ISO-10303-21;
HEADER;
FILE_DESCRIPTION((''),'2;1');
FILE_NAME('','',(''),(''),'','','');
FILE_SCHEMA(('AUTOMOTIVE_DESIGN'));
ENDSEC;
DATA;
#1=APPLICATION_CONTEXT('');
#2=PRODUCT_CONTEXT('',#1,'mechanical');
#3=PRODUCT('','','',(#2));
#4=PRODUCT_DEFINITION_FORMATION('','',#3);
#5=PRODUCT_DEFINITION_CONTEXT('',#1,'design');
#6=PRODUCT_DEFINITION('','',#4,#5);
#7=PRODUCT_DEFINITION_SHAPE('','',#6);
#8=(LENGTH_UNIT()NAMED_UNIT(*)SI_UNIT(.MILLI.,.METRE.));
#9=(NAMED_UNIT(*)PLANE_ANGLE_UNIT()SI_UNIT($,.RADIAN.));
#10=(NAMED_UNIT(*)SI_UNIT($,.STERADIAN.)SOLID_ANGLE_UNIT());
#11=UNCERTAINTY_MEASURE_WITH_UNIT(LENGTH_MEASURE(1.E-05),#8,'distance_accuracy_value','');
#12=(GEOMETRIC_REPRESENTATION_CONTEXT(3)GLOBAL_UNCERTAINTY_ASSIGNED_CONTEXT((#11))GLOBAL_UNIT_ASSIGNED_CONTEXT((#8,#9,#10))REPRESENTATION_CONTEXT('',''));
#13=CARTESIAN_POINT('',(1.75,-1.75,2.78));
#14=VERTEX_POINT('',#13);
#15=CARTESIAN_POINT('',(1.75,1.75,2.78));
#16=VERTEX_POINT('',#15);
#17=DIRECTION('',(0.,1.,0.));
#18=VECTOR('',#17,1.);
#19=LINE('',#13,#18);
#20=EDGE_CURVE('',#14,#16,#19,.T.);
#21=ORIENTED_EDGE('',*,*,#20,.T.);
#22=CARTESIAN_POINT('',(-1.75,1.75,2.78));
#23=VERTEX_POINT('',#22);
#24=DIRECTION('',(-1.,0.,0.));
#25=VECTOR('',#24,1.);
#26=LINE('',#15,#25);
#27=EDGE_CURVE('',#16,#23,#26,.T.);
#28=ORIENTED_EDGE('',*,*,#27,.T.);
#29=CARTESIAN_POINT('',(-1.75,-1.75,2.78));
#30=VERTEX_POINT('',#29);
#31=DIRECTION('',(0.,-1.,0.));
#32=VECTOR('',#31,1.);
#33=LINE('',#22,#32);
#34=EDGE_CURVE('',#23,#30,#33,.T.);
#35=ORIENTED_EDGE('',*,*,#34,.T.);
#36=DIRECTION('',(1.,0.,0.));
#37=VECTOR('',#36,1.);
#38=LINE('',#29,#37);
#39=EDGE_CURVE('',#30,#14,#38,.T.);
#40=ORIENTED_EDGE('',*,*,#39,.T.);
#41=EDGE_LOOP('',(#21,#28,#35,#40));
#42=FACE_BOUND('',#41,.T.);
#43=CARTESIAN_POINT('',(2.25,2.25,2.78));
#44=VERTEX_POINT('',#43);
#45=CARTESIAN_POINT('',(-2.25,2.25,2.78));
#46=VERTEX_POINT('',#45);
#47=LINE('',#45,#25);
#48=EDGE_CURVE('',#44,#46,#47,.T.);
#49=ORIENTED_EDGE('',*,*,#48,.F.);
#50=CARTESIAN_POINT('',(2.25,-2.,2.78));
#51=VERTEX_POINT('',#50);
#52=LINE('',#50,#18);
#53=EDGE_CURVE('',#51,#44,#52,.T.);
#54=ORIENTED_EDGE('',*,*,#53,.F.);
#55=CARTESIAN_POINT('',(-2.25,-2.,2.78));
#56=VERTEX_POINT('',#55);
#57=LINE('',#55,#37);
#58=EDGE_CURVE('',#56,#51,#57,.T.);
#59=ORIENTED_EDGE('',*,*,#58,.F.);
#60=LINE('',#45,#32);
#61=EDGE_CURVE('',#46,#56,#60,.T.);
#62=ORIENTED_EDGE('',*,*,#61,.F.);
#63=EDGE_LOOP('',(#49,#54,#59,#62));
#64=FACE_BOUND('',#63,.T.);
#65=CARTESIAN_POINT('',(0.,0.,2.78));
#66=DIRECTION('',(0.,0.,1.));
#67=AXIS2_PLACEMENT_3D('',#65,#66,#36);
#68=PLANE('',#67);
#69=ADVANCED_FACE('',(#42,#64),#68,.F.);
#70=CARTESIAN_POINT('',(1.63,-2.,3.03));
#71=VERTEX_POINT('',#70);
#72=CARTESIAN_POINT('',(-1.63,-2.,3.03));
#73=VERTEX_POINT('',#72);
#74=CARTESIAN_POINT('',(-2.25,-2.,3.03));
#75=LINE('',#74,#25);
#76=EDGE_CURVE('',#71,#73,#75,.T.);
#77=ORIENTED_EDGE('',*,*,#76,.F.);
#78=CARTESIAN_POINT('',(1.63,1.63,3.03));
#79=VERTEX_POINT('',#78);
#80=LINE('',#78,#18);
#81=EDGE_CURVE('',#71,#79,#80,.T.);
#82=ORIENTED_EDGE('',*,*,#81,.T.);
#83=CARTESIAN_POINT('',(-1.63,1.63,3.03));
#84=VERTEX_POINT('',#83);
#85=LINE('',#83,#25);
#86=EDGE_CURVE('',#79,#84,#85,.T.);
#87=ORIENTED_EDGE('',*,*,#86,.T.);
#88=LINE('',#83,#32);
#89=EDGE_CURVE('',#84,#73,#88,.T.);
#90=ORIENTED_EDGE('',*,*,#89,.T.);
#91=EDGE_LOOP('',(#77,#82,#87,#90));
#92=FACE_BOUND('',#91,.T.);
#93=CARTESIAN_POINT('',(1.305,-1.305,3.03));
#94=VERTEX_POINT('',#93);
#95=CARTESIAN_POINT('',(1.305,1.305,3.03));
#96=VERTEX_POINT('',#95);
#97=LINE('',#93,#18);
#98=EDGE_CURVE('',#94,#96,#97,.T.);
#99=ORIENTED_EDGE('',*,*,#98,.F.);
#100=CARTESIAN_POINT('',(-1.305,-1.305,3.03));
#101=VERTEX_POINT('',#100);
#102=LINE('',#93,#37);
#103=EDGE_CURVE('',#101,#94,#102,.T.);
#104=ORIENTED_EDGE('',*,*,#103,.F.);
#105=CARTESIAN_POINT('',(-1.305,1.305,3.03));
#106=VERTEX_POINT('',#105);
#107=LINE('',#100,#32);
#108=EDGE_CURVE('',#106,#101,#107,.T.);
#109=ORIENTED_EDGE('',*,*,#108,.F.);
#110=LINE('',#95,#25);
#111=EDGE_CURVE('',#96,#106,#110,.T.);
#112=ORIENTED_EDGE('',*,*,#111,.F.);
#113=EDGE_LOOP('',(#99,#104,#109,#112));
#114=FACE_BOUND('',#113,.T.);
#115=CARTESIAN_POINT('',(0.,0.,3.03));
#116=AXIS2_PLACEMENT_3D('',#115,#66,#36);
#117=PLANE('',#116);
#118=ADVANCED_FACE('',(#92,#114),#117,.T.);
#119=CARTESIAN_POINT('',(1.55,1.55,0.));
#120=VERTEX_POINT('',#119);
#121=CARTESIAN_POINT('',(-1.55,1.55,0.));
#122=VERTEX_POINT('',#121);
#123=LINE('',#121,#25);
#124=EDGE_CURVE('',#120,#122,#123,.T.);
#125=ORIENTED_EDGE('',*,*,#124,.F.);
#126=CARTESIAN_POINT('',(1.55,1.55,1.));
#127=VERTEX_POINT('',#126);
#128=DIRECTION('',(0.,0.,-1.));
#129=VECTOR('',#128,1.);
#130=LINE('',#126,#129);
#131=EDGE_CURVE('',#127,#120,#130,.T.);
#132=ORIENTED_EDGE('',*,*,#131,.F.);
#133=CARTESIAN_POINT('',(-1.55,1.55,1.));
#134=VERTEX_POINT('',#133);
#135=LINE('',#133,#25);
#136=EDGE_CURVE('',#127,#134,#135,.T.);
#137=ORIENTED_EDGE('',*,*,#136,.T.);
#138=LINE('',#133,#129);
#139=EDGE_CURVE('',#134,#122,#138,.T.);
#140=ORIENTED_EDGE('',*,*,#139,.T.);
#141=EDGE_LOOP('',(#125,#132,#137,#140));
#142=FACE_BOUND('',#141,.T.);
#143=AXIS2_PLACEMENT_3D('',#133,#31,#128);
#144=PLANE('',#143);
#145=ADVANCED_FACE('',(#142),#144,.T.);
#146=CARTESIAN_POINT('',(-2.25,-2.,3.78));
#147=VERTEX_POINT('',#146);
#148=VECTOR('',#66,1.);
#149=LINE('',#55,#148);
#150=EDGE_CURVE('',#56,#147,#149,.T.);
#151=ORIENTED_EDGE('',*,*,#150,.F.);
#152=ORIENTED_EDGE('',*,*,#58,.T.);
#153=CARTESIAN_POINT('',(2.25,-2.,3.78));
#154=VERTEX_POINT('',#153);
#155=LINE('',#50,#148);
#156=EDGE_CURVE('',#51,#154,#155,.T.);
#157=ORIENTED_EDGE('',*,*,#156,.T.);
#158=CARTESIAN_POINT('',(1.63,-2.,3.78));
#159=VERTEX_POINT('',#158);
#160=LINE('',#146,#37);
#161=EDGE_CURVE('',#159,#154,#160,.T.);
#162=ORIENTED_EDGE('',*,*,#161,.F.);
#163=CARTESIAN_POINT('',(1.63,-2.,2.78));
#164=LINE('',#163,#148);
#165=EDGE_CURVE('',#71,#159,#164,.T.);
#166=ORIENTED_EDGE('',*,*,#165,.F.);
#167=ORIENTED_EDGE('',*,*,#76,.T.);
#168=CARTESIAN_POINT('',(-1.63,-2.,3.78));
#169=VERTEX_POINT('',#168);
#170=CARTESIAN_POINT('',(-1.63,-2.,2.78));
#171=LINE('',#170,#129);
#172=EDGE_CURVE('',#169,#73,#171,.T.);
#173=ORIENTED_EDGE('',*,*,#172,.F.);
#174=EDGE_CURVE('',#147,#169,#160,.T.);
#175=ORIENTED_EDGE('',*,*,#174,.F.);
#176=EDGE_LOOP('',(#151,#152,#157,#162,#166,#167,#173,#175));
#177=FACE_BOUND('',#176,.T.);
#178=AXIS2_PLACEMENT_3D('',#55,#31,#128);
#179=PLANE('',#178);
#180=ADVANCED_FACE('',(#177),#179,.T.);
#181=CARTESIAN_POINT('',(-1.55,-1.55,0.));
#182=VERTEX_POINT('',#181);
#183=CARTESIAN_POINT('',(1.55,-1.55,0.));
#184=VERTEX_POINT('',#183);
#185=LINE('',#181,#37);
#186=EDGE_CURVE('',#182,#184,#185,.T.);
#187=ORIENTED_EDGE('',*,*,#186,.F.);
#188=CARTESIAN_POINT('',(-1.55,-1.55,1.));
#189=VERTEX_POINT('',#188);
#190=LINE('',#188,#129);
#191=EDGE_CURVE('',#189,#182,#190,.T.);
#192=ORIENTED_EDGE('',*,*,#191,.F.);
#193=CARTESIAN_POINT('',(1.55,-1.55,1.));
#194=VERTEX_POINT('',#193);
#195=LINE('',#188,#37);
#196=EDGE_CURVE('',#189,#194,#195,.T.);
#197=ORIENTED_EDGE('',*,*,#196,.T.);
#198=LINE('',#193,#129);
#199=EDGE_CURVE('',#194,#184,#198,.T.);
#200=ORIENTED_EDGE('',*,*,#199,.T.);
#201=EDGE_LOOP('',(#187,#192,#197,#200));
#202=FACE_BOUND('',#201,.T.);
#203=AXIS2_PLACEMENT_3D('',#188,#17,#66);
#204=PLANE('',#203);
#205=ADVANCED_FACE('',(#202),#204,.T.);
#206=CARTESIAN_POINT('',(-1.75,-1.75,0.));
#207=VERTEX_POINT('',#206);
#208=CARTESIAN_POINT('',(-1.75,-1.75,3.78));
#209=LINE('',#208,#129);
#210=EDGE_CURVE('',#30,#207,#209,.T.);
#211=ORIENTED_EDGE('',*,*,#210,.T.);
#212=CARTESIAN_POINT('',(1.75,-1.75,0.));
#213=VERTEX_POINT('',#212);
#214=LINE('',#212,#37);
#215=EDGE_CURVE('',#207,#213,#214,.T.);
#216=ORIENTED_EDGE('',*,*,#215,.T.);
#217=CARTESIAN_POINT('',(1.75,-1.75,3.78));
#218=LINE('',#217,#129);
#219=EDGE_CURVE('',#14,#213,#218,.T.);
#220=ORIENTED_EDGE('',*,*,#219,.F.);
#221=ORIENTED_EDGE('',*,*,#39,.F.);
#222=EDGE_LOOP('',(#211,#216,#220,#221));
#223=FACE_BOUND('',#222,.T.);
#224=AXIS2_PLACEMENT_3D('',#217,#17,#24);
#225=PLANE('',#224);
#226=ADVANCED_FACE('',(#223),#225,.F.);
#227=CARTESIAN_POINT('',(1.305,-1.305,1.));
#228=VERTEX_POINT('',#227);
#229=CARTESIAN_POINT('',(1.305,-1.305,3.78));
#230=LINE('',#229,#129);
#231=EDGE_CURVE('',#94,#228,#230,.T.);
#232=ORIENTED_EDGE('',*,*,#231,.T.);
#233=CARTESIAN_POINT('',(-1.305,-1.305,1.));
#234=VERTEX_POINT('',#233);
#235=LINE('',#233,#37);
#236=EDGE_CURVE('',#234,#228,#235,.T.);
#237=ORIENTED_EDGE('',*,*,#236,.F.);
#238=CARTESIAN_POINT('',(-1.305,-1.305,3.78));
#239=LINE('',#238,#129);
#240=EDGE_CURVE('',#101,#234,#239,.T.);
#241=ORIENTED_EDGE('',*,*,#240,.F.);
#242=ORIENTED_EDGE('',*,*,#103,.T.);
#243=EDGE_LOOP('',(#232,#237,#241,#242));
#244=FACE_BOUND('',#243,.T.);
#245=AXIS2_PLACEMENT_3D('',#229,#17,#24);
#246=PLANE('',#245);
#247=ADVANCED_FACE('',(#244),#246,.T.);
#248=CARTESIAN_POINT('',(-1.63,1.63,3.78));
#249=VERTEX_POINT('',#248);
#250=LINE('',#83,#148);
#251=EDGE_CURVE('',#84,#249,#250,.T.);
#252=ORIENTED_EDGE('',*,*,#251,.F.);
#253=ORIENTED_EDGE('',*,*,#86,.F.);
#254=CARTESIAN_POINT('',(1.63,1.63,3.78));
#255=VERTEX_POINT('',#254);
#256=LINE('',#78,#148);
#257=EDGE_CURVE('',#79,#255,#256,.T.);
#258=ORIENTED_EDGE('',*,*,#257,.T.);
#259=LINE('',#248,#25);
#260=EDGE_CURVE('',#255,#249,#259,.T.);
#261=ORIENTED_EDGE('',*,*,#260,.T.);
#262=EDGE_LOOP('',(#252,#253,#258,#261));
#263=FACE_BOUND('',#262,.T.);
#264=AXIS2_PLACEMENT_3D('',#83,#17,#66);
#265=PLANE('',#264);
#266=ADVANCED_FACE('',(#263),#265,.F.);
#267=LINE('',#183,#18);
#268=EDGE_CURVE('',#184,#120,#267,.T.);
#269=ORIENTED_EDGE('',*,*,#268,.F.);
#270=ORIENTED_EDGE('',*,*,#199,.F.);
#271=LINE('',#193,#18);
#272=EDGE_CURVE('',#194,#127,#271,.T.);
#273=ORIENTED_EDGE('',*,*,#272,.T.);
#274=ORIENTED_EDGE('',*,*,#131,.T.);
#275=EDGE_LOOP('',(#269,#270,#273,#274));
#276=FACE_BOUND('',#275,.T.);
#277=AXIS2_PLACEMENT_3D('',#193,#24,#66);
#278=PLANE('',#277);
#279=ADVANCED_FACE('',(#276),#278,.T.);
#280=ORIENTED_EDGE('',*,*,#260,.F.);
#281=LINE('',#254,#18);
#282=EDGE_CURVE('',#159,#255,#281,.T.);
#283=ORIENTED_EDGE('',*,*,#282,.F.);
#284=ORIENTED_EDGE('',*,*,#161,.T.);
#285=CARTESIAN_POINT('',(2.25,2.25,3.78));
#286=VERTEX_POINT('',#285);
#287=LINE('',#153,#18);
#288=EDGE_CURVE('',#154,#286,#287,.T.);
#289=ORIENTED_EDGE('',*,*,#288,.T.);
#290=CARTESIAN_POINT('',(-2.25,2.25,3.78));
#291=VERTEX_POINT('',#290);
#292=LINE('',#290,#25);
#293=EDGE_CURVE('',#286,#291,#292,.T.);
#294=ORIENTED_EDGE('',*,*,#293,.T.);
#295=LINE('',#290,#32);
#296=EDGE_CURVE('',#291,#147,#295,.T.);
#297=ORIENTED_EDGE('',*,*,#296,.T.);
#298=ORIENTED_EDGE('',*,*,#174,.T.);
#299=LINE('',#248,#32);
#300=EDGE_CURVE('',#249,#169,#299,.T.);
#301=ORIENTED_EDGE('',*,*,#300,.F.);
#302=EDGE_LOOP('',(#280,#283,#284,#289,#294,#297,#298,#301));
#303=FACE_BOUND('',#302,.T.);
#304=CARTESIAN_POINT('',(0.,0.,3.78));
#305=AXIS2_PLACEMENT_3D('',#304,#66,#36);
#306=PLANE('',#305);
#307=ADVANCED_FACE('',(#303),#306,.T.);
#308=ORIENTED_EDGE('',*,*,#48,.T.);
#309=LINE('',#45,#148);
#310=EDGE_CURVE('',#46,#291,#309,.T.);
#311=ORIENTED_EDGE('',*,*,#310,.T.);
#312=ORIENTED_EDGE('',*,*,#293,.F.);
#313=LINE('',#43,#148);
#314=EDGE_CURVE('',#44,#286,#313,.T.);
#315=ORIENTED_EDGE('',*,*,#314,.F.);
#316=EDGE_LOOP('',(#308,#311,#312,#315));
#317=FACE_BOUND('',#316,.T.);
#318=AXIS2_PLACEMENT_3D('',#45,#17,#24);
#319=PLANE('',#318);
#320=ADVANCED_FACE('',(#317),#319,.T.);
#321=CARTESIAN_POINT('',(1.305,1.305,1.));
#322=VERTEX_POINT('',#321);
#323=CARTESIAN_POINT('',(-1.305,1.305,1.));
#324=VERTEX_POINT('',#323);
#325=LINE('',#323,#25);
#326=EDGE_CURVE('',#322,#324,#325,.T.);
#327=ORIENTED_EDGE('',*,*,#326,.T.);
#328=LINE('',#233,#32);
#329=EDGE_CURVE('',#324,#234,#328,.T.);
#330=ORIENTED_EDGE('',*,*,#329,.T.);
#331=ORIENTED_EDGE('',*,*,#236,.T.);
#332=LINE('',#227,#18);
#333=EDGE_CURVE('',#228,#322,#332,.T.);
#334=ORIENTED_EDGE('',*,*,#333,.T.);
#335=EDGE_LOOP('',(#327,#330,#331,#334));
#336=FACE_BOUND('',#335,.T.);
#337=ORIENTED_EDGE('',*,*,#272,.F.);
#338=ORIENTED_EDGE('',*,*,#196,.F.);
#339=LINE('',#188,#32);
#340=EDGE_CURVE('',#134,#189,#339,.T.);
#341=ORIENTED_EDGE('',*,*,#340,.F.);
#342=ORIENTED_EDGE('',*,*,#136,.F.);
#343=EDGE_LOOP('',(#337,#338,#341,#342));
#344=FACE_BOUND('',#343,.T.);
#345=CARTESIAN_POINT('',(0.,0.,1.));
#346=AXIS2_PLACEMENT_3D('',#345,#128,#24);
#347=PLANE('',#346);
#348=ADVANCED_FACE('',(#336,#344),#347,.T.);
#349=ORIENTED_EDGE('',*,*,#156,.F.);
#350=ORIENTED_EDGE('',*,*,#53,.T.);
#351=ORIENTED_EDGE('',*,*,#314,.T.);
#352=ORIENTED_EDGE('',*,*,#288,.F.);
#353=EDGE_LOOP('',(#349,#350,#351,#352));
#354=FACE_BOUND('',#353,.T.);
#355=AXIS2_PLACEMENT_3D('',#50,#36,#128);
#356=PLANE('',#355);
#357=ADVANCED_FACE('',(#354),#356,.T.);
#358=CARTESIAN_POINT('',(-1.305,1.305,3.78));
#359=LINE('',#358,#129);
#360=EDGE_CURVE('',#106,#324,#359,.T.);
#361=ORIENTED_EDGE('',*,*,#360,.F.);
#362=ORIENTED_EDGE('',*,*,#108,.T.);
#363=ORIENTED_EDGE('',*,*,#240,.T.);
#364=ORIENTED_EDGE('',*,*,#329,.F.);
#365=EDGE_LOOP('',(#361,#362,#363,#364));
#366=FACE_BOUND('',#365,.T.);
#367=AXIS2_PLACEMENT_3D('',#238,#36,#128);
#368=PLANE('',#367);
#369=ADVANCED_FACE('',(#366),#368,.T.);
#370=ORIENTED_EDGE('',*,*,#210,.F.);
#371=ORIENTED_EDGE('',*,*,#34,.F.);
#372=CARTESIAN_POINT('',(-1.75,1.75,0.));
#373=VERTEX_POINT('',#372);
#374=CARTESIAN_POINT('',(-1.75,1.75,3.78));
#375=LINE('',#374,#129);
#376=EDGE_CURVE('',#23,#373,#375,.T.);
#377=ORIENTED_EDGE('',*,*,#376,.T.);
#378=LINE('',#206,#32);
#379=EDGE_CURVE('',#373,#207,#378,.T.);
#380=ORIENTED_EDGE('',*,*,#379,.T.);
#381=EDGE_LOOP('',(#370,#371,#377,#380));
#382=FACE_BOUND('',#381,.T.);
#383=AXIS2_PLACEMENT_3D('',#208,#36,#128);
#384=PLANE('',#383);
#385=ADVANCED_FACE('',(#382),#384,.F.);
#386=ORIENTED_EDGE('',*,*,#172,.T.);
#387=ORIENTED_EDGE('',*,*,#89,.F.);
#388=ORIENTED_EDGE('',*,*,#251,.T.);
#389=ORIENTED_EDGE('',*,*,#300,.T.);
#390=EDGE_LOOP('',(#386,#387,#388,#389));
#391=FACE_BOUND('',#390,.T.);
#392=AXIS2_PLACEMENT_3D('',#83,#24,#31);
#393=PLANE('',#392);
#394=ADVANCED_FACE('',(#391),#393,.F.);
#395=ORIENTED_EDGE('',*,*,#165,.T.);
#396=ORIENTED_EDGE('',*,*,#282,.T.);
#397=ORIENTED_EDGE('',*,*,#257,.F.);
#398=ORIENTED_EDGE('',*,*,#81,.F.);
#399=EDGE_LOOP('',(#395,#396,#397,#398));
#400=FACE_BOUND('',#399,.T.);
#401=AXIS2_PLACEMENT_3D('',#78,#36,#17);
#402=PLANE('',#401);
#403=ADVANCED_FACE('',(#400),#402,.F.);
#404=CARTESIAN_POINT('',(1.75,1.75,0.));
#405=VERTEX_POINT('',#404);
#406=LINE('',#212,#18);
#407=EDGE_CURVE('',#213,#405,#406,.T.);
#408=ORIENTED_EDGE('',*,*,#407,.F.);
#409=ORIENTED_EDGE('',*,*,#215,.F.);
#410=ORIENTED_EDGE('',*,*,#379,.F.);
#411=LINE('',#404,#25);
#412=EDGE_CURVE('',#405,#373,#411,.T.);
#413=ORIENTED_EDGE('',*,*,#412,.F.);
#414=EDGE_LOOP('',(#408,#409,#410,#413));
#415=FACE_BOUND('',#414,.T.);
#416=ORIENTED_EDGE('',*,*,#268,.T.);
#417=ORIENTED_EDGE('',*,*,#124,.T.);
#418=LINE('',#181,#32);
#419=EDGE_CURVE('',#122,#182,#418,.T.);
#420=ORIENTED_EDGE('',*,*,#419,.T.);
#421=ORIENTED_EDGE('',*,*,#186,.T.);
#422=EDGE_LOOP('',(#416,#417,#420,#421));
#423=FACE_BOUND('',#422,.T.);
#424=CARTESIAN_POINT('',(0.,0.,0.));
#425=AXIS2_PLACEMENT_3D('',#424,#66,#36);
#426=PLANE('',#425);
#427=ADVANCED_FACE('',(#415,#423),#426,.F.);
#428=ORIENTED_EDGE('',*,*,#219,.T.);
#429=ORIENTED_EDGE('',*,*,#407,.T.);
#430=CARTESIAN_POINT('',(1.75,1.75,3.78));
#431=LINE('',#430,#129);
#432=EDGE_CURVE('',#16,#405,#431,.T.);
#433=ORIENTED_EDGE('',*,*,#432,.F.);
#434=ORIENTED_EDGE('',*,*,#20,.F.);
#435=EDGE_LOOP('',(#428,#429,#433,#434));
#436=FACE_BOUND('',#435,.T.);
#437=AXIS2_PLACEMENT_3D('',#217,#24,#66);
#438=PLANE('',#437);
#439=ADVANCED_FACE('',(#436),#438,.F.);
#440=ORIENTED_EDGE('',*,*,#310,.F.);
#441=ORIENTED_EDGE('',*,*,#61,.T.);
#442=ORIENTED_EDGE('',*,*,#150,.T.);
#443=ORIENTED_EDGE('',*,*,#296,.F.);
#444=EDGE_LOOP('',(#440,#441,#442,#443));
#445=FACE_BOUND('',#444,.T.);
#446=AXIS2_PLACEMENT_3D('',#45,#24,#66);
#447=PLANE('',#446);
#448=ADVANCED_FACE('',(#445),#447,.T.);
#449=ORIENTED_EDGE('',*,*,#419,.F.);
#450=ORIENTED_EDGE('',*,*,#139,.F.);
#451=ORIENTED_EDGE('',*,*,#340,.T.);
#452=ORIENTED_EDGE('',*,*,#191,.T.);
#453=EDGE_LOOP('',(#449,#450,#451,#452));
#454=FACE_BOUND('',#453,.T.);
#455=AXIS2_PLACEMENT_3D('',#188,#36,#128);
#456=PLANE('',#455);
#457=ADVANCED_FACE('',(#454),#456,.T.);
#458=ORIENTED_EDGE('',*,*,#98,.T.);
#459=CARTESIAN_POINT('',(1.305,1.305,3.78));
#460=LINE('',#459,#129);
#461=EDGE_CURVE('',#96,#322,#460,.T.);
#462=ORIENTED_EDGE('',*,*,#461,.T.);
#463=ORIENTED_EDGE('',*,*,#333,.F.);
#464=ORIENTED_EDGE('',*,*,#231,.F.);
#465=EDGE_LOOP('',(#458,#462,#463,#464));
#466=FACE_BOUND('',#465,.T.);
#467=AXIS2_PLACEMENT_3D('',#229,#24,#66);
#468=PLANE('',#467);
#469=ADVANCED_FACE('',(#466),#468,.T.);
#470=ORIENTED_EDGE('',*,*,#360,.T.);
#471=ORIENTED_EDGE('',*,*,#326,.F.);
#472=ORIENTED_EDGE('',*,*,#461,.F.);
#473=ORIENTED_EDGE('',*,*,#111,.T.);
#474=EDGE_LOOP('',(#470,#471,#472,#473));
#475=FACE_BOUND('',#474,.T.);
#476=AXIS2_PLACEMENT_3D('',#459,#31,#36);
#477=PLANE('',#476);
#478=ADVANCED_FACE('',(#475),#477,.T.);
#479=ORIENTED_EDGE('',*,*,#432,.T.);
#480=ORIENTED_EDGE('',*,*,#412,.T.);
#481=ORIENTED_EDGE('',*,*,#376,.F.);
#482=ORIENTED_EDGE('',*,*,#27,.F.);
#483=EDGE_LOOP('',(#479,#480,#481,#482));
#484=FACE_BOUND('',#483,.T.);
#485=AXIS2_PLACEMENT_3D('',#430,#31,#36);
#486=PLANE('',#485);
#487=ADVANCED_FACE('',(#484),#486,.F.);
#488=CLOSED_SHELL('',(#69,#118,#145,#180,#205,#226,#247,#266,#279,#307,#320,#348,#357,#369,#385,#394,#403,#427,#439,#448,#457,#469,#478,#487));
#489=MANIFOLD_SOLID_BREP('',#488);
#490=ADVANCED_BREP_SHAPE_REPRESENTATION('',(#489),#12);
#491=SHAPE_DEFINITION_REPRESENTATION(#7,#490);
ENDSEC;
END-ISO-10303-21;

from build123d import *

# Parameters (mm, degrees)
SKETCH2_W           = 3.5
SKETCH2_H           = 3.5
SKETCH2_W_2         = 2.61
SKETCH2_H_2         = 2.61
BOSS_EXTRUDE1_DEPTH = 3.78
SKETCH3_W           = 3.1
SKETCH3_H           = 3.1
SKETCH3_W_2         = 2.61
SKETCH3_H_2         = 2.61
CUT_EXTRUDE1_DEPTH  = 1
SKETCH4_W           = 4.5
SKETCH4_H           = 4.25
SKETCH4_W_2         = 3.5
SKETCH4_H_2         = 3.5
BOSS_EXTRUDE2_DEPTH = 1
SKETCH5_W           = 3.26
SKETCH5_H           = 6.003564401
CUT_EXTRUDE2_DEPTH  = 0.75


with BuildPart() as part:
    # Sketch2 → Boss-Extrude1 (new body)
    with BuildSketch(Plane.XY):
        Rectangle(SKETCH2_W, SKETCH2_H)
        Rectangle(SKETCH2_W_2, SKETCH2_H_2, mode=Mode.SUBTRACT)
    extrude(amount=BOSS_EXTRUDE1_DEPTH)

    # Sketch3 → Cut-Extrude1 (cut)
    with BuildSketch(Plane.XY):
        Rectangle(SKETCH3_W, SKETCH3_H)
        Rectangle(SKETCH3_W_2, SKETCH3_H_2, mode=Mode.SUBTRACT)
    extrude(amount=CUT_EXTRUDE1_DEPTH, mode=Mode.SUBTRACT)

    # Sketch4 → Boss-Extrude2 (add)
    with BuildSketch(Plane.XY.offset(3.78)):
        with Locations((0, 0.125)):
            Rectangle(SKETCH4_W, SKETCH4_H)
        Rectangle(SKETCH4_W_2, SKETCH4_H_2, mode=Mode.SUBTRACT)
    extrude(amount=-BOSS_EXTRUDE2_DEPTH)

    # Sketch5 → Cut-Extrude2 (cut)
    with BuildSketch(Plane.XY.offset(3.78)):
        with Locations((0, -1.371782201)):
            Rectangle(SKETCH5_W, SKETCH5_H)
    extrude(amount=-CUT_EXTRUDE2_DEPTH, mode=Mode.SUBTRACT)


solid = part.part
